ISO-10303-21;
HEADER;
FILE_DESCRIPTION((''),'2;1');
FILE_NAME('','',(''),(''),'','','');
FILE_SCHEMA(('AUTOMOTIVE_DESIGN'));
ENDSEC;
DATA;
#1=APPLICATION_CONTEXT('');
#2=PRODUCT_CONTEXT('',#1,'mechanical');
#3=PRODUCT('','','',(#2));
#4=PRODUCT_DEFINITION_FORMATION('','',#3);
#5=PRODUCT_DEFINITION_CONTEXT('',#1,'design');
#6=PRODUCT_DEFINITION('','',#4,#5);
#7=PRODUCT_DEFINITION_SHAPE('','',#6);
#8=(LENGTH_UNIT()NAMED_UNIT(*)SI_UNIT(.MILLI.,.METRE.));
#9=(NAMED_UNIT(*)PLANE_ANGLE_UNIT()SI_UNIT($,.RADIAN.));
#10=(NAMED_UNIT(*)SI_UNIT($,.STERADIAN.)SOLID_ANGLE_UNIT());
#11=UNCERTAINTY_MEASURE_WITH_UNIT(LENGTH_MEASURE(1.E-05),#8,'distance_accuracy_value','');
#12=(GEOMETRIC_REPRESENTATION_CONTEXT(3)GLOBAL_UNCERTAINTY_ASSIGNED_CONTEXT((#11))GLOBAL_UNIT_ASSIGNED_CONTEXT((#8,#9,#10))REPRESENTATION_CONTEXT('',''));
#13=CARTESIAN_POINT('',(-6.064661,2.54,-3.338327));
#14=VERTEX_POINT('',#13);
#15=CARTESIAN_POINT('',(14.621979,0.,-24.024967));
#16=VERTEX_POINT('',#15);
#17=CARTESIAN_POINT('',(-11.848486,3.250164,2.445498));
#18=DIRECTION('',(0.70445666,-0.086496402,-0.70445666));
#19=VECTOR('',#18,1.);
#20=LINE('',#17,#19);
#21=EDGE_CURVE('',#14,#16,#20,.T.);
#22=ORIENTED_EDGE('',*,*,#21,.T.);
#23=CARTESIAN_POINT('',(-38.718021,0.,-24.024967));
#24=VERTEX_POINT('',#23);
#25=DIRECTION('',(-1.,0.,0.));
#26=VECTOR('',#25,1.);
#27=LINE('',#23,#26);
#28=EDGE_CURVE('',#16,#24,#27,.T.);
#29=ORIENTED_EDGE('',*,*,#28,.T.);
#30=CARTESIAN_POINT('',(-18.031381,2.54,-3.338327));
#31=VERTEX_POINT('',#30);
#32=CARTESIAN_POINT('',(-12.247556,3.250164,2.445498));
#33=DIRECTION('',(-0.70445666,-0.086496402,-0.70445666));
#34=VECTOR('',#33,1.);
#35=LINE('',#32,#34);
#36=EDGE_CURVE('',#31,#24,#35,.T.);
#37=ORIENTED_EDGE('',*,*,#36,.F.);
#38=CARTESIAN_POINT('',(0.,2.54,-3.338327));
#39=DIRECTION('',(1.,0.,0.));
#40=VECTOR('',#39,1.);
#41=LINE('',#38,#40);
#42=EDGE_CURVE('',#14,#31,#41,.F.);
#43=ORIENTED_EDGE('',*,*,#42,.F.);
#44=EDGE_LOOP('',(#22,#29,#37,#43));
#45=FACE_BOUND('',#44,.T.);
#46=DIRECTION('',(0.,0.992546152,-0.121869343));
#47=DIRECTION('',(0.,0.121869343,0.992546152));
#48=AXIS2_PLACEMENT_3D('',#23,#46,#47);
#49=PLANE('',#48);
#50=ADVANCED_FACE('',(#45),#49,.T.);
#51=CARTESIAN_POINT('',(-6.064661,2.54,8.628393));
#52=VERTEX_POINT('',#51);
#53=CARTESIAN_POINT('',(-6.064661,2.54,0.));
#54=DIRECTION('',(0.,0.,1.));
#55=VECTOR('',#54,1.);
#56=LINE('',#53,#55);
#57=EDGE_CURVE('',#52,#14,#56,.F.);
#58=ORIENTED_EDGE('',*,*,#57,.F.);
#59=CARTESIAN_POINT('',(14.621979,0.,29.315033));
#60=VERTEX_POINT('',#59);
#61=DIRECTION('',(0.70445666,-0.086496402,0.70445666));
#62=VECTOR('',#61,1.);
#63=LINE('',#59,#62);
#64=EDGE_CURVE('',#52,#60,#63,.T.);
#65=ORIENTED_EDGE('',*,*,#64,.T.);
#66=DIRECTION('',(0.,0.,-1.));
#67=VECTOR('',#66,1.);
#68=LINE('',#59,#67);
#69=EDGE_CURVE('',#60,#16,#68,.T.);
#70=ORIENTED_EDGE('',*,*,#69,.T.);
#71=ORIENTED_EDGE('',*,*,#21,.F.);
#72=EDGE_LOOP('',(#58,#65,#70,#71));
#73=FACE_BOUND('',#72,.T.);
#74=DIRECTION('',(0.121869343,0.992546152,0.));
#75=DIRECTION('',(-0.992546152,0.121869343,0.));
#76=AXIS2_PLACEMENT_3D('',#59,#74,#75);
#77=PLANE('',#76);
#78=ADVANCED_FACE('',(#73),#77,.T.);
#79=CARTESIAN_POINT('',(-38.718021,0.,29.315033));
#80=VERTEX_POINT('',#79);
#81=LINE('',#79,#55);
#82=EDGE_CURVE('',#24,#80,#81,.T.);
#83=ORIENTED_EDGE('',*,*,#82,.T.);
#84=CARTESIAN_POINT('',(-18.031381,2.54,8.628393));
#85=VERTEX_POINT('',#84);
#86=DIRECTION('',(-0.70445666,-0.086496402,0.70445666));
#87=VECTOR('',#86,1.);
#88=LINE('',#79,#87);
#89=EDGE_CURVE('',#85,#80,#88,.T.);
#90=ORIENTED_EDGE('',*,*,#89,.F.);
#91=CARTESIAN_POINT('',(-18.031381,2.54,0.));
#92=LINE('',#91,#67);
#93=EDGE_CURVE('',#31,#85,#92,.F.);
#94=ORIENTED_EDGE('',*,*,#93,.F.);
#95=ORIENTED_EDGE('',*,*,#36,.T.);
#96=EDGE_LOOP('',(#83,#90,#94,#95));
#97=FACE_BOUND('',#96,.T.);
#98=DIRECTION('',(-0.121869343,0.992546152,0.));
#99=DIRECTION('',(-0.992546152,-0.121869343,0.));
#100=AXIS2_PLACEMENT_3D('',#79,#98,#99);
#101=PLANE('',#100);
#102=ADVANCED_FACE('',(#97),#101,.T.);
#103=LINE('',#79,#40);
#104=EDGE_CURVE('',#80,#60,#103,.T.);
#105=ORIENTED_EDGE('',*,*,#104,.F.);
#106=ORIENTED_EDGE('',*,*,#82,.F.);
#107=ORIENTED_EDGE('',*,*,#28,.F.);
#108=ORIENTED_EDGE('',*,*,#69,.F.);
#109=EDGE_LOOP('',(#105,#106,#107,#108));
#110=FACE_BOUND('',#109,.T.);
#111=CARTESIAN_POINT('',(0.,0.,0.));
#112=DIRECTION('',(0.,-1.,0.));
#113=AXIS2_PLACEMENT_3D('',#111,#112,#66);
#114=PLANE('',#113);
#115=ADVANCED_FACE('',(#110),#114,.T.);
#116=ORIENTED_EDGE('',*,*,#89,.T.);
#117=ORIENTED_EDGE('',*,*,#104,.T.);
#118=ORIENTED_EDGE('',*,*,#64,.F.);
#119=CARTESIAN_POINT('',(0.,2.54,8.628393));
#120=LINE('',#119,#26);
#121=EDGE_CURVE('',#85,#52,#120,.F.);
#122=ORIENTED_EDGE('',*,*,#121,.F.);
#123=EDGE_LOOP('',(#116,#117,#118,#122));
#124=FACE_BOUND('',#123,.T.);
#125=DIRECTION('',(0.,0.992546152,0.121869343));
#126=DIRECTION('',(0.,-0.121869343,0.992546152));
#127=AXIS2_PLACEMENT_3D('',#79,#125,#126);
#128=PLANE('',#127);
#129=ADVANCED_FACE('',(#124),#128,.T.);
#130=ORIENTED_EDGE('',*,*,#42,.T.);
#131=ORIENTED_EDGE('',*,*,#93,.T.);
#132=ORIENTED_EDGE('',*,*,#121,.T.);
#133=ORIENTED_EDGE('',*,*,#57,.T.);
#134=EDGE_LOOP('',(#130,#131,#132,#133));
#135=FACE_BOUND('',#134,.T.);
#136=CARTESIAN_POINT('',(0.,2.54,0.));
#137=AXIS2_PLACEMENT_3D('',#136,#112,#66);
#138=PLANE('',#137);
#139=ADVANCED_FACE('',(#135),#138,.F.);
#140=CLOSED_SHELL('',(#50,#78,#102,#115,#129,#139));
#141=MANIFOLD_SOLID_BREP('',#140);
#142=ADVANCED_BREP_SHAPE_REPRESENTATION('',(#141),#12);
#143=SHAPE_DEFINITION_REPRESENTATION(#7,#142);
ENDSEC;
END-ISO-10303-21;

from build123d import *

# Parameters (mm, degrees)
CROQUIS1_W              = 53.34
CROQUIS1_H              = 53.34
SALIENTE_EXTRUIR1_DEPTH = 2.54
SALIENTE_EXTRUIR1_TAPER = 83


with BuildPart() as part:
    # Croquis1 → Saliente-Extruir1 (new body)
    with BuildSketch(Plane(origin=(0, 0, 0), x_dir=(1, 0, 0), z_dir=(0, 1, 0))):
        with Locations((-12.04802125, -2.64503335)):
            Rectangle(CROQUIS1_W, CROQUIS1_H)
    extrude(amount=SALIENTE_EXTRUIR1_DEPTH, taper=SALIENTE_EXTRUIR1_TAPER)


solid = part.part
